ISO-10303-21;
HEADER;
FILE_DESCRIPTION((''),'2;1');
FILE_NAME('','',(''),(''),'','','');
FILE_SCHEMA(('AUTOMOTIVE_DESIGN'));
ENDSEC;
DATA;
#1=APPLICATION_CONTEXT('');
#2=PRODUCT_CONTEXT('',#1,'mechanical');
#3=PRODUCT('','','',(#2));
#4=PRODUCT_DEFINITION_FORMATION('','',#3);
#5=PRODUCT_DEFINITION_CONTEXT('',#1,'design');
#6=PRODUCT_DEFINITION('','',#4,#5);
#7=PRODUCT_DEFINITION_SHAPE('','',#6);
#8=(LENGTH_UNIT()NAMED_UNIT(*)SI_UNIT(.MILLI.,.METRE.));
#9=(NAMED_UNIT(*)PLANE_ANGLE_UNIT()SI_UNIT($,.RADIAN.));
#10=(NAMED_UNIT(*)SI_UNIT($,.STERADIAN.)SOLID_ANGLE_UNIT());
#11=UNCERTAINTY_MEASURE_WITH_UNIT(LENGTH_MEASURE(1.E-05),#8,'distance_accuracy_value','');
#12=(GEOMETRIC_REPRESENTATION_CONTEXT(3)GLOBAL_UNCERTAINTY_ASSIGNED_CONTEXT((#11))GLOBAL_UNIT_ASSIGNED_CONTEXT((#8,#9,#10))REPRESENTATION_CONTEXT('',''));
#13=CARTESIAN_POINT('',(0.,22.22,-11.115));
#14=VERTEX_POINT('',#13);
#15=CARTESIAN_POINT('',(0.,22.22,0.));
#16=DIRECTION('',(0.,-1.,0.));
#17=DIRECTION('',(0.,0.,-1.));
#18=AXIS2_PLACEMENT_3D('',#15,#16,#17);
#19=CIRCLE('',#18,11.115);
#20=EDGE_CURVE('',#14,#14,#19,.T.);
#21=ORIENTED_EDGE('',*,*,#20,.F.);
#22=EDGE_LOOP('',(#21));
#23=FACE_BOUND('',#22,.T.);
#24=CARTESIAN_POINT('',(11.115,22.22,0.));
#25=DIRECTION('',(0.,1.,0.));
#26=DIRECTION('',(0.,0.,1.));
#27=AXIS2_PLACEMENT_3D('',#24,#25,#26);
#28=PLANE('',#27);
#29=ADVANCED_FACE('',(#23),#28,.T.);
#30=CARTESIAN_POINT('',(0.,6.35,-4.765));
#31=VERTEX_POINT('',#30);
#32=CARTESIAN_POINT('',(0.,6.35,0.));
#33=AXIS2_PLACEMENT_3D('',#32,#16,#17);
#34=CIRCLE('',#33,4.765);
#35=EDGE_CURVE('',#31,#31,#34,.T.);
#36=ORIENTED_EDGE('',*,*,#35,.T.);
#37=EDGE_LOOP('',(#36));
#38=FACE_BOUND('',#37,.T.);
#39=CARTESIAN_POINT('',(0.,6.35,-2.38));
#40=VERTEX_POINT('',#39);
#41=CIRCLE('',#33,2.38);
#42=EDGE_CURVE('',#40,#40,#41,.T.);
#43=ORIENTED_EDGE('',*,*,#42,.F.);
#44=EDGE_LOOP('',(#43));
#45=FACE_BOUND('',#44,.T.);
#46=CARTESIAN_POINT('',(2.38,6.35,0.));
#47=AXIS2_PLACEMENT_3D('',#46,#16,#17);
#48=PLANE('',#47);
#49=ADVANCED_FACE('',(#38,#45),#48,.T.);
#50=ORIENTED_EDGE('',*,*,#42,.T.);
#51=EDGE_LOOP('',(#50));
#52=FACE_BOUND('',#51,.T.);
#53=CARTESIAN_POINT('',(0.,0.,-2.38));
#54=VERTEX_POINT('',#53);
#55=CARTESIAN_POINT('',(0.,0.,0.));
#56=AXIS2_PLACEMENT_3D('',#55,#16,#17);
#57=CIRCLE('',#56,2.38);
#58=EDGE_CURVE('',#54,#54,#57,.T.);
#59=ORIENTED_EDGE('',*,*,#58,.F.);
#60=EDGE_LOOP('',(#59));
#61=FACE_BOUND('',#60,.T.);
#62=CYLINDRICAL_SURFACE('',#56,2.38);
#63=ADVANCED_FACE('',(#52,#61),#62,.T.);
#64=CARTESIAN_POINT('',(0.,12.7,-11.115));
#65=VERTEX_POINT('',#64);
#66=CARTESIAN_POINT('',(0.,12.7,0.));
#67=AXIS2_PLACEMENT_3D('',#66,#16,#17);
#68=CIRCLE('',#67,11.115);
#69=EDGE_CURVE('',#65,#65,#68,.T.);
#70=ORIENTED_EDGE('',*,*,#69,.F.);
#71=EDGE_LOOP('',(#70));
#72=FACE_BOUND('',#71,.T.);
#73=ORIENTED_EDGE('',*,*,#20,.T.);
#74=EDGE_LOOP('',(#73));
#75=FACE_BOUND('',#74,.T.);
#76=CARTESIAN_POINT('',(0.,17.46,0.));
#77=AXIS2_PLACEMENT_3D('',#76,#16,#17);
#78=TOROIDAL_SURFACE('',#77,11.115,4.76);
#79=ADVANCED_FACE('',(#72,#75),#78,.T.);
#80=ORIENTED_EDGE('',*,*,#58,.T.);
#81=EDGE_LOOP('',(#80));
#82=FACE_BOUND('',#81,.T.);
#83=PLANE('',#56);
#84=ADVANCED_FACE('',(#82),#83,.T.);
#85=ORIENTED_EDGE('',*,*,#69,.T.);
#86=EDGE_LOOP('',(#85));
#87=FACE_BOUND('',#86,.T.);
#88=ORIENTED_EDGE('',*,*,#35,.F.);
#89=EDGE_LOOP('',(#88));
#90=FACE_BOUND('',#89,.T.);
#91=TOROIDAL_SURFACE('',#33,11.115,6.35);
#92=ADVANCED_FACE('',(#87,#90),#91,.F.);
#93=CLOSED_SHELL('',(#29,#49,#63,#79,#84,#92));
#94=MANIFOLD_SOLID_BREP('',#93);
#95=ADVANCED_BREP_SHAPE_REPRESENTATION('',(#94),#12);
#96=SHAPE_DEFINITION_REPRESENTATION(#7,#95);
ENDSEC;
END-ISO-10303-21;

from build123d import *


with BuildPart() as part:
    # Sketch1 → Revolve1 (revolve)
    with BuildSketch(Plane.XY, mode=Mode.PRIVATE) as revolve1_sk:
        with BuildLine():
            Line((0, 0), (2.38, 0))
            Line((2.38, 0), (2.38, 6.35))
            Line((2.38, 6.35), (4.765, 6.35))
            ThreePointArc((4.765, 6.35), (6.624871939, 10.840128061), (11.115, 12.7))
            ThreePointArc((11.115, 12.7), (15.875, 17.46), (11.115, 22.22))
            Line((11.115, 22.22), (0, 22.22))
            Line((0, 22.22), (0, 0))
        make_face()
    revolve(revolve1_sk.sketch.rotate(Axis((0, 0, 0), (0, 1, 0)), 90), axis=Axis((0, 0, 0), (0, 1, 0)))


solid = part.part
